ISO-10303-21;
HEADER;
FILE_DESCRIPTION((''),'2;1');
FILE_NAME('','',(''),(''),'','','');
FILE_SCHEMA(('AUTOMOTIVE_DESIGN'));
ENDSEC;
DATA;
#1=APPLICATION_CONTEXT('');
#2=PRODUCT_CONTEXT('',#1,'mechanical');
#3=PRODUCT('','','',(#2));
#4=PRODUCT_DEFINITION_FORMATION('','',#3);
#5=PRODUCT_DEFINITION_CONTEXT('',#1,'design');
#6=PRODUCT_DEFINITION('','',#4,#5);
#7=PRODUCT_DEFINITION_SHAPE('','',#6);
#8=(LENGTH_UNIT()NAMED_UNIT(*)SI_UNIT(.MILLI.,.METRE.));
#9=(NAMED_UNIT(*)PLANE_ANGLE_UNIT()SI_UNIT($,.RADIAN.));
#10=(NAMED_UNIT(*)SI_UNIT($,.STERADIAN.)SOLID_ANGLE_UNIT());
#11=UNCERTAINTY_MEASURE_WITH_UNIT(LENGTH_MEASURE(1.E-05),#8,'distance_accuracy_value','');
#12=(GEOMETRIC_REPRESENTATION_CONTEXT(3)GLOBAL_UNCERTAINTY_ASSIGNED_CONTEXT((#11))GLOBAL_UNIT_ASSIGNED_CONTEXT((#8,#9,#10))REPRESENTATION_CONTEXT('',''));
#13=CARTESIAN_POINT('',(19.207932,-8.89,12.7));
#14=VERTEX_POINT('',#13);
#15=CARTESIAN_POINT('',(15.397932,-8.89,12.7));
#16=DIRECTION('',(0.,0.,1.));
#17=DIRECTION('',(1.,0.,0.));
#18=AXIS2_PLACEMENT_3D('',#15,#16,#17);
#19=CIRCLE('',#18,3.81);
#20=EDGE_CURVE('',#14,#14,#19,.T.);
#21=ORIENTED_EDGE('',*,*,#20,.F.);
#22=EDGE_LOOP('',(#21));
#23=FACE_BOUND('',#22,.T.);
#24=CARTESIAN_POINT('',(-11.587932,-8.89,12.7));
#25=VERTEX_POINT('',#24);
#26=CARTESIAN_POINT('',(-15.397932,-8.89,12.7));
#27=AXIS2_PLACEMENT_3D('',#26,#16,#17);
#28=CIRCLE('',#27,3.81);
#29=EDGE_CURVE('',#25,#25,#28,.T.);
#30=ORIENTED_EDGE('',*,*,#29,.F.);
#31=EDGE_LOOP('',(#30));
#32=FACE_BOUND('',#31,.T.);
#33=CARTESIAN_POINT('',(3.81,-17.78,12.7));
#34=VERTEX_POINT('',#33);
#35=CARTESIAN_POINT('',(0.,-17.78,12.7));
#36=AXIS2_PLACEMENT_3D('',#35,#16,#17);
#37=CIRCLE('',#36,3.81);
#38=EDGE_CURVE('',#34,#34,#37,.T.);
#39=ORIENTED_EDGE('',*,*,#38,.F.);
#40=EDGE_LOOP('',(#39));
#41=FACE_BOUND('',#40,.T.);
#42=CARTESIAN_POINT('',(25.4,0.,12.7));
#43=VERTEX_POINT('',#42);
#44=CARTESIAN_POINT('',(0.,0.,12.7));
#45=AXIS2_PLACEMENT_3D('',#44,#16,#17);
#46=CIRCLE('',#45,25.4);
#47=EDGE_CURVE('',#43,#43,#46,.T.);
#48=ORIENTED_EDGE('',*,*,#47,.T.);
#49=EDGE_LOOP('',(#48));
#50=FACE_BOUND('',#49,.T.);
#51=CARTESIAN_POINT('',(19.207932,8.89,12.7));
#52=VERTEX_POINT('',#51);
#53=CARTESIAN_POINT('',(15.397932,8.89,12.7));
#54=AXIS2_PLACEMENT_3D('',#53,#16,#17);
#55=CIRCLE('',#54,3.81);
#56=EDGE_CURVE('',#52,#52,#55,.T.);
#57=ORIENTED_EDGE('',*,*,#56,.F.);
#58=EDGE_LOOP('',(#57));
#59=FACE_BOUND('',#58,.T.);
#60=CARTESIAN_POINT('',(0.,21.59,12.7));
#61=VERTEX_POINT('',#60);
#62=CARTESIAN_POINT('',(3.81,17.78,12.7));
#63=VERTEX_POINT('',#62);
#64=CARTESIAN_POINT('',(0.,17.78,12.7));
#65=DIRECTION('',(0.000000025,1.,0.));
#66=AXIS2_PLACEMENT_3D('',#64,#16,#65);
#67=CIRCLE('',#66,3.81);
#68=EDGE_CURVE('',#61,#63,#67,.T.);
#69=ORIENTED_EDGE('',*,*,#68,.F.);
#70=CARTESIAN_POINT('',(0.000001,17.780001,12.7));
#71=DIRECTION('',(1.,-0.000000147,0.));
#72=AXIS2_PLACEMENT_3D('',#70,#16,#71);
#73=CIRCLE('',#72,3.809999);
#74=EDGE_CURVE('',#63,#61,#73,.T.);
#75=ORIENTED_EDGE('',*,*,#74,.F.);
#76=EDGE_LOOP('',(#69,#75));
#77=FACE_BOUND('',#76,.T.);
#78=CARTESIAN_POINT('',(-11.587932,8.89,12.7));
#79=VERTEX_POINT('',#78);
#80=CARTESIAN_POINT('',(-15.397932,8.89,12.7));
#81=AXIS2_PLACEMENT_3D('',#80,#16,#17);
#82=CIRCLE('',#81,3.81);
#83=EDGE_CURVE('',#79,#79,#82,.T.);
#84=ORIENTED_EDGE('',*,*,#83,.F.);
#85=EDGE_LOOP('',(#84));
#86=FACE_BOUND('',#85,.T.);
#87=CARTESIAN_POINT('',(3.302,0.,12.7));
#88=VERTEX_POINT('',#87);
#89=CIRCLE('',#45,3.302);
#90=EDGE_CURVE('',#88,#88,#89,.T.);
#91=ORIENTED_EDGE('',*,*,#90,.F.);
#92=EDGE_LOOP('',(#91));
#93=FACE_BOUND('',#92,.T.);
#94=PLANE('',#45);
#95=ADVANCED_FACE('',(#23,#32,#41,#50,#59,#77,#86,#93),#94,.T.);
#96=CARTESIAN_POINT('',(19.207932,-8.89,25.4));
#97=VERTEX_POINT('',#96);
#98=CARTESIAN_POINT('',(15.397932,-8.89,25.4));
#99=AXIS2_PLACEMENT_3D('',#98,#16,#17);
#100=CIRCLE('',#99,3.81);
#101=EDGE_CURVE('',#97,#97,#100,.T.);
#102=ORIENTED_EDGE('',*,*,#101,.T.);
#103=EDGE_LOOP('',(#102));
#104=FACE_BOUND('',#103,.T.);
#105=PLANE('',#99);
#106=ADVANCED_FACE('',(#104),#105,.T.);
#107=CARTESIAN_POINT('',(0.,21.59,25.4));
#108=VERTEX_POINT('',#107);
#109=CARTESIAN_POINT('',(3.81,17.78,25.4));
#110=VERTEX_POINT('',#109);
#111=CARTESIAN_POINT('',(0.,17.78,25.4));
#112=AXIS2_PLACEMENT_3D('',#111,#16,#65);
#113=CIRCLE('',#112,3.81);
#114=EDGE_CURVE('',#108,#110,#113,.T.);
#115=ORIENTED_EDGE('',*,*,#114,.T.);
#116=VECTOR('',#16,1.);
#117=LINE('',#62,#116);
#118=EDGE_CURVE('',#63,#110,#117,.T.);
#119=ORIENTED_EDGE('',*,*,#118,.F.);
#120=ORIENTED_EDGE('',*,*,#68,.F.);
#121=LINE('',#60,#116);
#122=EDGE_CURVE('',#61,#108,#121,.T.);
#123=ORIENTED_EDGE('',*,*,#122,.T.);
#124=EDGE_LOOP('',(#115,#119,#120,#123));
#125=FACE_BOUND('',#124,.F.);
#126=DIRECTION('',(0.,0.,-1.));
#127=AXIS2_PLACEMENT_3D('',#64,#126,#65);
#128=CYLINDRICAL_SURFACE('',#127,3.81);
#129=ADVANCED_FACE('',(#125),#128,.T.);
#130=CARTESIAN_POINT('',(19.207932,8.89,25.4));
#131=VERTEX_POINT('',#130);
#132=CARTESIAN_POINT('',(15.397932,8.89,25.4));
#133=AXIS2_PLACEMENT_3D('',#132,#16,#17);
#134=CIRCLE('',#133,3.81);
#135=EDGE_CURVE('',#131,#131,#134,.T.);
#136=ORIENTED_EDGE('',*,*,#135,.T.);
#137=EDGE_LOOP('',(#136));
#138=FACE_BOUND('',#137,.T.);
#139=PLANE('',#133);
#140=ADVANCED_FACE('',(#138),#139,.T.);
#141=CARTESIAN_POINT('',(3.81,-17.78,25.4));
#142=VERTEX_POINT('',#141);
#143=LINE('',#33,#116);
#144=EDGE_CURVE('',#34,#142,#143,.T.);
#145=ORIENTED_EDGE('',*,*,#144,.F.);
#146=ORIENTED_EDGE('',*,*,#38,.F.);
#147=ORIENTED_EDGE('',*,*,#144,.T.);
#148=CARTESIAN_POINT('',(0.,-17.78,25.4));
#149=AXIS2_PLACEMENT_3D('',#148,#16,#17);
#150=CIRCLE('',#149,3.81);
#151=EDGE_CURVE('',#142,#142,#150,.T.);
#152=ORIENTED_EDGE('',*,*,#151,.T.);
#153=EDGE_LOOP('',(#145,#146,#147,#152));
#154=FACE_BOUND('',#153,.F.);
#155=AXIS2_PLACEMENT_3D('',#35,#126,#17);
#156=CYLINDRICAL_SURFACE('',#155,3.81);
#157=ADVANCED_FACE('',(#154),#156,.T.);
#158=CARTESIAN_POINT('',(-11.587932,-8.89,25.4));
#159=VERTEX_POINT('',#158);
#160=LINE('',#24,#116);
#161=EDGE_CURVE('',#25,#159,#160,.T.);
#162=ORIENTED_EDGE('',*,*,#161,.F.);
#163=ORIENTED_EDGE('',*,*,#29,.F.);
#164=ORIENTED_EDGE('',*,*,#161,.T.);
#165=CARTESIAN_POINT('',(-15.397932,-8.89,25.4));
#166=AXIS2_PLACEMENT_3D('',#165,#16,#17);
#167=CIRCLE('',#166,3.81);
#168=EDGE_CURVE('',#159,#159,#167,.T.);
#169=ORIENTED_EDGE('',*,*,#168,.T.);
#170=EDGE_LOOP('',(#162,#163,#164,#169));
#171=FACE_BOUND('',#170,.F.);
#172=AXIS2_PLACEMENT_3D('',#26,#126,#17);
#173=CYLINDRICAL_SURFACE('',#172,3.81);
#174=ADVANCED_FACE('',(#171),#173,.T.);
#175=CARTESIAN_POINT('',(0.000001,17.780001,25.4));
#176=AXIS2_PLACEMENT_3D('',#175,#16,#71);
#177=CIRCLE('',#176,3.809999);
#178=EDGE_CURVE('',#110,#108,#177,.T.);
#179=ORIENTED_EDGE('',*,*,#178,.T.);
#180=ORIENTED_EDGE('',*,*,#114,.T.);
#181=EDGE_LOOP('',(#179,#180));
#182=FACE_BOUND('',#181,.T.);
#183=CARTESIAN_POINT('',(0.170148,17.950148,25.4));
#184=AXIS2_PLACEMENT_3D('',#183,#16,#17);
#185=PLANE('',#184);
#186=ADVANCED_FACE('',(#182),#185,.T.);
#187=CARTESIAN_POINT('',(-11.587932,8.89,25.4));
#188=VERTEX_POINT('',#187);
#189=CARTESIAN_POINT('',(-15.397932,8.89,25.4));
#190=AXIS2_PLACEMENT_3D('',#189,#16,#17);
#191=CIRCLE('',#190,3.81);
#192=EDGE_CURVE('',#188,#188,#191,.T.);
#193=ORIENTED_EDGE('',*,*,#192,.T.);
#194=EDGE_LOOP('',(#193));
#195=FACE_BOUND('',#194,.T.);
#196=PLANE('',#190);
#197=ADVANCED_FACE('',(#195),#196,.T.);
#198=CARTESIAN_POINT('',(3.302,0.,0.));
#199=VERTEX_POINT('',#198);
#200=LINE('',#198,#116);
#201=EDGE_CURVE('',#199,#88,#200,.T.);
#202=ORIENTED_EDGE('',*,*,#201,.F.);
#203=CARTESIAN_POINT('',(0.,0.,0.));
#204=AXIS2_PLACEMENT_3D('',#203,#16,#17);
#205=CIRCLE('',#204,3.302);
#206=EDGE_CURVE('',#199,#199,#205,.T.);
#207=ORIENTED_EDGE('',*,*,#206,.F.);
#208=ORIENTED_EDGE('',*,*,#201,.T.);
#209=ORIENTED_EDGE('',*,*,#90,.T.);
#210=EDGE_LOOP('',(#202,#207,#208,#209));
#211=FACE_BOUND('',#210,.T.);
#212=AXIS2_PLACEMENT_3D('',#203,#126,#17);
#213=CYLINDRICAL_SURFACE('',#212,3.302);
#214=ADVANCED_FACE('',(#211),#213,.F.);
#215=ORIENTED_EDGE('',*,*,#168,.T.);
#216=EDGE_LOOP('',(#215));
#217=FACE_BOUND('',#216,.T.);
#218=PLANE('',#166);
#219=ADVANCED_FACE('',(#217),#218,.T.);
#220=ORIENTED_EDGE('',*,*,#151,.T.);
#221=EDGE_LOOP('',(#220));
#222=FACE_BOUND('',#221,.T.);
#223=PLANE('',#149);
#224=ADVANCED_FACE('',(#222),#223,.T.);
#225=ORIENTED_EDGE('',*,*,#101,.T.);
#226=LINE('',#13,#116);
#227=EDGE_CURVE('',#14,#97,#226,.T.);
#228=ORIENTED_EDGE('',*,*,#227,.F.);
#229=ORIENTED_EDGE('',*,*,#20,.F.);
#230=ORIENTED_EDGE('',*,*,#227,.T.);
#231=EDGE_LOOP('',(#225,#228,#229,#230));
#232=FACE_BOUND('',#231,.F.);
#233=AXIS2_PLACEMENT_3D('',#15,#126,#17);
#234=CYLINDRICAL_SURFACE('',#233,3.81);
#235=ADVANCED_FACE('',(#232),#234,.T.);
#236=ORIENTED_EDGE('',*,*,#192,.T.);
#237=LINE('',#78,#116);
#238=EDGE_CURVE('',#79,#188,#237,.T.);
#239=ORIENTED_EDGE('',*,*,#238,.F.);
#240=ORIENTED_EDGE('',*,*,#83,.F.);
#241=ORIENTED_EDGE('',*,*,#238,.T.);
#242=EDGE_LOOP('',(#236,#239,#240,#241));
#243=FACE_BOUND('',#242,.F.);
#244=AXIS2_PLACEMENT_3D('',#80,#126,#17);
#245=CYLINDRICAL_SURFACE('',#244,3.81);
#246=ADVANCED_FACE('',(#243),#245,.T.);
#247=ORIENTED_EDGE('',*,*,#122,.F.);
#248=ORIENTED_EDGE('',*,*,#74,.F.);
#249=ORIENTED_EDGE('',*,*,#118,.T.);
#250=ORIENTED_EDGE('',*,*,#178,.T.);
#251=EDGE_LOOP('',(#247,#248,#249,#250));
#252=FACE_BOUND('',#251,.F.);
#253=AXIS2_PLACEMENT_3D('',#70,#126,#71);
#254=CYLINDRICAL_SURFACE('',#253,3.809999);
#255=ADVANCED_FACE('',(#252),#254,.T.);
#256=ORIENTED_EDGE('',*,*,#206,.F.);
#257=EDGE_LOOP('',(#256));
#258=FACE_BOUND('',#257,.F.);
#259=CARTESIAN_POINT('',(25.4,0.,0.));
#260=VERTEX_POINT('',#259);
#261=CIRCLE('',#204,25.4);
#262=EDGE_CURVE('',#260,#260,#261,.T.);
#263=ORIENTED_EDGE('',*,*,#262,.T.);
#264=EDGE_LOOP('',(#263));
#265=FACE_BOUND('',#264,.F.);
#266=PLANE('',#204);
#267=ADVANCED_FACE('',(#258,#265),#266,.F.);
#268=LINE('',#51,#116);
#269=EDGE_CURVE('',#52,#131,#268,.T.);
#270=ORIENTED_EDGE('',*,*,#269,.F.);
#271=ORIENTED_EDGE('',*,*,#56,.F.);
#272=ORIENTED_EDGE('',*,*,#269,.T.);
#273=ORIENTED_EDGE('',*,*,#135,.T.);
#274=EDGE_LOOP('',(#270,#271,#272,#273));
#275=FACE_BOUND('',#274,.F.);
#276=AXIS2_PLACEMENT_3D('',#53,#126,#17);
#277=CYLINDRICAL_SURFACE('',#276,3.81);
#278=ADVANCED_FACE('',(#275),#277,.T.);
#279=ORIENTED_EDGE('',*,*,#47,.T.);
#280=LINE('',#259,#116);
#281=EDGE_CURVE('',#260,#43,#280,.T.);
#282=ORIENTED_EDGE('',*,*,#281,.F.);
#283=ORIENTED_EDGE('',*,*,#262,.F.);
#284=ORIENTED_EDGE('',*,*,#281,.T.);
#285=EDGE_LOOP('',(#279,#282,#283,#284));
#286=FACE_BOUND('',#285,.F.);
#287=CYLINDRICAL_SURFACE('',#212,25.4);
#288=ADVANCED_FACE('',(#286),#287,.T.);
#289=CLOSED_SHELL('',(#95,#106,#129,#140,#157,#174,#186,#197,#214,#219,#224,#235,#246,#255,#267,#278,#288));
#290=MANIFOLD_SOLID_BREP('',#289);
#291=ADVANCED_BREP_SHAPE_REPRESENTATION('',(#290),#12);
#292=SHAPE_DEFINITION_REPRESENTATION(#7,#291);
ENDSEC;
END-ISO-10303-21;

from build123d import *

# Parameters (mm, degrees)
F0_R     = 25.4
F0_R_2   = 3.302
F1_DEPTH = 12.7
F2_R     = 3.81
F3_DEPTH = 12.7


with BuildPart() as f1:
    # F0 (on Top) → F1 (new body)
    with BuildSketch(Plane.XY):
        Circle(F0_R)
        Circle(F0_R_2, mode=Mode.SUBTRACT)
    extrude(amount=F1_DEPTH)

    # F2 (on face) → F3 (join)
    with BuildSketch(Plane.XY.offset(12.7)):
        with BuildLine():
            ThreePointArc((0, 21.59), (-2.694077, 15.085923), (3.81, 17.78))
            ThreePointArc((3.81, 17.78), (2.694077, 20.474077), (0, 21.59))
        make_face()
        with Locations((-15.397932, 8.89)):
            Circle(F2_R)
        with Locations((-15.397932, -8.89)):
            Circle(F2_R)
        with Locations((0, -17.78)):
            Circle(F2_R)
        with Locations((15.397932, -8.89)):
            Circle(F2_R)
        with Locations((15.397932, 8.89)):
            Circle(F2_R)
    extrude(amount=F3_DEPTH)


solid = f1.part
